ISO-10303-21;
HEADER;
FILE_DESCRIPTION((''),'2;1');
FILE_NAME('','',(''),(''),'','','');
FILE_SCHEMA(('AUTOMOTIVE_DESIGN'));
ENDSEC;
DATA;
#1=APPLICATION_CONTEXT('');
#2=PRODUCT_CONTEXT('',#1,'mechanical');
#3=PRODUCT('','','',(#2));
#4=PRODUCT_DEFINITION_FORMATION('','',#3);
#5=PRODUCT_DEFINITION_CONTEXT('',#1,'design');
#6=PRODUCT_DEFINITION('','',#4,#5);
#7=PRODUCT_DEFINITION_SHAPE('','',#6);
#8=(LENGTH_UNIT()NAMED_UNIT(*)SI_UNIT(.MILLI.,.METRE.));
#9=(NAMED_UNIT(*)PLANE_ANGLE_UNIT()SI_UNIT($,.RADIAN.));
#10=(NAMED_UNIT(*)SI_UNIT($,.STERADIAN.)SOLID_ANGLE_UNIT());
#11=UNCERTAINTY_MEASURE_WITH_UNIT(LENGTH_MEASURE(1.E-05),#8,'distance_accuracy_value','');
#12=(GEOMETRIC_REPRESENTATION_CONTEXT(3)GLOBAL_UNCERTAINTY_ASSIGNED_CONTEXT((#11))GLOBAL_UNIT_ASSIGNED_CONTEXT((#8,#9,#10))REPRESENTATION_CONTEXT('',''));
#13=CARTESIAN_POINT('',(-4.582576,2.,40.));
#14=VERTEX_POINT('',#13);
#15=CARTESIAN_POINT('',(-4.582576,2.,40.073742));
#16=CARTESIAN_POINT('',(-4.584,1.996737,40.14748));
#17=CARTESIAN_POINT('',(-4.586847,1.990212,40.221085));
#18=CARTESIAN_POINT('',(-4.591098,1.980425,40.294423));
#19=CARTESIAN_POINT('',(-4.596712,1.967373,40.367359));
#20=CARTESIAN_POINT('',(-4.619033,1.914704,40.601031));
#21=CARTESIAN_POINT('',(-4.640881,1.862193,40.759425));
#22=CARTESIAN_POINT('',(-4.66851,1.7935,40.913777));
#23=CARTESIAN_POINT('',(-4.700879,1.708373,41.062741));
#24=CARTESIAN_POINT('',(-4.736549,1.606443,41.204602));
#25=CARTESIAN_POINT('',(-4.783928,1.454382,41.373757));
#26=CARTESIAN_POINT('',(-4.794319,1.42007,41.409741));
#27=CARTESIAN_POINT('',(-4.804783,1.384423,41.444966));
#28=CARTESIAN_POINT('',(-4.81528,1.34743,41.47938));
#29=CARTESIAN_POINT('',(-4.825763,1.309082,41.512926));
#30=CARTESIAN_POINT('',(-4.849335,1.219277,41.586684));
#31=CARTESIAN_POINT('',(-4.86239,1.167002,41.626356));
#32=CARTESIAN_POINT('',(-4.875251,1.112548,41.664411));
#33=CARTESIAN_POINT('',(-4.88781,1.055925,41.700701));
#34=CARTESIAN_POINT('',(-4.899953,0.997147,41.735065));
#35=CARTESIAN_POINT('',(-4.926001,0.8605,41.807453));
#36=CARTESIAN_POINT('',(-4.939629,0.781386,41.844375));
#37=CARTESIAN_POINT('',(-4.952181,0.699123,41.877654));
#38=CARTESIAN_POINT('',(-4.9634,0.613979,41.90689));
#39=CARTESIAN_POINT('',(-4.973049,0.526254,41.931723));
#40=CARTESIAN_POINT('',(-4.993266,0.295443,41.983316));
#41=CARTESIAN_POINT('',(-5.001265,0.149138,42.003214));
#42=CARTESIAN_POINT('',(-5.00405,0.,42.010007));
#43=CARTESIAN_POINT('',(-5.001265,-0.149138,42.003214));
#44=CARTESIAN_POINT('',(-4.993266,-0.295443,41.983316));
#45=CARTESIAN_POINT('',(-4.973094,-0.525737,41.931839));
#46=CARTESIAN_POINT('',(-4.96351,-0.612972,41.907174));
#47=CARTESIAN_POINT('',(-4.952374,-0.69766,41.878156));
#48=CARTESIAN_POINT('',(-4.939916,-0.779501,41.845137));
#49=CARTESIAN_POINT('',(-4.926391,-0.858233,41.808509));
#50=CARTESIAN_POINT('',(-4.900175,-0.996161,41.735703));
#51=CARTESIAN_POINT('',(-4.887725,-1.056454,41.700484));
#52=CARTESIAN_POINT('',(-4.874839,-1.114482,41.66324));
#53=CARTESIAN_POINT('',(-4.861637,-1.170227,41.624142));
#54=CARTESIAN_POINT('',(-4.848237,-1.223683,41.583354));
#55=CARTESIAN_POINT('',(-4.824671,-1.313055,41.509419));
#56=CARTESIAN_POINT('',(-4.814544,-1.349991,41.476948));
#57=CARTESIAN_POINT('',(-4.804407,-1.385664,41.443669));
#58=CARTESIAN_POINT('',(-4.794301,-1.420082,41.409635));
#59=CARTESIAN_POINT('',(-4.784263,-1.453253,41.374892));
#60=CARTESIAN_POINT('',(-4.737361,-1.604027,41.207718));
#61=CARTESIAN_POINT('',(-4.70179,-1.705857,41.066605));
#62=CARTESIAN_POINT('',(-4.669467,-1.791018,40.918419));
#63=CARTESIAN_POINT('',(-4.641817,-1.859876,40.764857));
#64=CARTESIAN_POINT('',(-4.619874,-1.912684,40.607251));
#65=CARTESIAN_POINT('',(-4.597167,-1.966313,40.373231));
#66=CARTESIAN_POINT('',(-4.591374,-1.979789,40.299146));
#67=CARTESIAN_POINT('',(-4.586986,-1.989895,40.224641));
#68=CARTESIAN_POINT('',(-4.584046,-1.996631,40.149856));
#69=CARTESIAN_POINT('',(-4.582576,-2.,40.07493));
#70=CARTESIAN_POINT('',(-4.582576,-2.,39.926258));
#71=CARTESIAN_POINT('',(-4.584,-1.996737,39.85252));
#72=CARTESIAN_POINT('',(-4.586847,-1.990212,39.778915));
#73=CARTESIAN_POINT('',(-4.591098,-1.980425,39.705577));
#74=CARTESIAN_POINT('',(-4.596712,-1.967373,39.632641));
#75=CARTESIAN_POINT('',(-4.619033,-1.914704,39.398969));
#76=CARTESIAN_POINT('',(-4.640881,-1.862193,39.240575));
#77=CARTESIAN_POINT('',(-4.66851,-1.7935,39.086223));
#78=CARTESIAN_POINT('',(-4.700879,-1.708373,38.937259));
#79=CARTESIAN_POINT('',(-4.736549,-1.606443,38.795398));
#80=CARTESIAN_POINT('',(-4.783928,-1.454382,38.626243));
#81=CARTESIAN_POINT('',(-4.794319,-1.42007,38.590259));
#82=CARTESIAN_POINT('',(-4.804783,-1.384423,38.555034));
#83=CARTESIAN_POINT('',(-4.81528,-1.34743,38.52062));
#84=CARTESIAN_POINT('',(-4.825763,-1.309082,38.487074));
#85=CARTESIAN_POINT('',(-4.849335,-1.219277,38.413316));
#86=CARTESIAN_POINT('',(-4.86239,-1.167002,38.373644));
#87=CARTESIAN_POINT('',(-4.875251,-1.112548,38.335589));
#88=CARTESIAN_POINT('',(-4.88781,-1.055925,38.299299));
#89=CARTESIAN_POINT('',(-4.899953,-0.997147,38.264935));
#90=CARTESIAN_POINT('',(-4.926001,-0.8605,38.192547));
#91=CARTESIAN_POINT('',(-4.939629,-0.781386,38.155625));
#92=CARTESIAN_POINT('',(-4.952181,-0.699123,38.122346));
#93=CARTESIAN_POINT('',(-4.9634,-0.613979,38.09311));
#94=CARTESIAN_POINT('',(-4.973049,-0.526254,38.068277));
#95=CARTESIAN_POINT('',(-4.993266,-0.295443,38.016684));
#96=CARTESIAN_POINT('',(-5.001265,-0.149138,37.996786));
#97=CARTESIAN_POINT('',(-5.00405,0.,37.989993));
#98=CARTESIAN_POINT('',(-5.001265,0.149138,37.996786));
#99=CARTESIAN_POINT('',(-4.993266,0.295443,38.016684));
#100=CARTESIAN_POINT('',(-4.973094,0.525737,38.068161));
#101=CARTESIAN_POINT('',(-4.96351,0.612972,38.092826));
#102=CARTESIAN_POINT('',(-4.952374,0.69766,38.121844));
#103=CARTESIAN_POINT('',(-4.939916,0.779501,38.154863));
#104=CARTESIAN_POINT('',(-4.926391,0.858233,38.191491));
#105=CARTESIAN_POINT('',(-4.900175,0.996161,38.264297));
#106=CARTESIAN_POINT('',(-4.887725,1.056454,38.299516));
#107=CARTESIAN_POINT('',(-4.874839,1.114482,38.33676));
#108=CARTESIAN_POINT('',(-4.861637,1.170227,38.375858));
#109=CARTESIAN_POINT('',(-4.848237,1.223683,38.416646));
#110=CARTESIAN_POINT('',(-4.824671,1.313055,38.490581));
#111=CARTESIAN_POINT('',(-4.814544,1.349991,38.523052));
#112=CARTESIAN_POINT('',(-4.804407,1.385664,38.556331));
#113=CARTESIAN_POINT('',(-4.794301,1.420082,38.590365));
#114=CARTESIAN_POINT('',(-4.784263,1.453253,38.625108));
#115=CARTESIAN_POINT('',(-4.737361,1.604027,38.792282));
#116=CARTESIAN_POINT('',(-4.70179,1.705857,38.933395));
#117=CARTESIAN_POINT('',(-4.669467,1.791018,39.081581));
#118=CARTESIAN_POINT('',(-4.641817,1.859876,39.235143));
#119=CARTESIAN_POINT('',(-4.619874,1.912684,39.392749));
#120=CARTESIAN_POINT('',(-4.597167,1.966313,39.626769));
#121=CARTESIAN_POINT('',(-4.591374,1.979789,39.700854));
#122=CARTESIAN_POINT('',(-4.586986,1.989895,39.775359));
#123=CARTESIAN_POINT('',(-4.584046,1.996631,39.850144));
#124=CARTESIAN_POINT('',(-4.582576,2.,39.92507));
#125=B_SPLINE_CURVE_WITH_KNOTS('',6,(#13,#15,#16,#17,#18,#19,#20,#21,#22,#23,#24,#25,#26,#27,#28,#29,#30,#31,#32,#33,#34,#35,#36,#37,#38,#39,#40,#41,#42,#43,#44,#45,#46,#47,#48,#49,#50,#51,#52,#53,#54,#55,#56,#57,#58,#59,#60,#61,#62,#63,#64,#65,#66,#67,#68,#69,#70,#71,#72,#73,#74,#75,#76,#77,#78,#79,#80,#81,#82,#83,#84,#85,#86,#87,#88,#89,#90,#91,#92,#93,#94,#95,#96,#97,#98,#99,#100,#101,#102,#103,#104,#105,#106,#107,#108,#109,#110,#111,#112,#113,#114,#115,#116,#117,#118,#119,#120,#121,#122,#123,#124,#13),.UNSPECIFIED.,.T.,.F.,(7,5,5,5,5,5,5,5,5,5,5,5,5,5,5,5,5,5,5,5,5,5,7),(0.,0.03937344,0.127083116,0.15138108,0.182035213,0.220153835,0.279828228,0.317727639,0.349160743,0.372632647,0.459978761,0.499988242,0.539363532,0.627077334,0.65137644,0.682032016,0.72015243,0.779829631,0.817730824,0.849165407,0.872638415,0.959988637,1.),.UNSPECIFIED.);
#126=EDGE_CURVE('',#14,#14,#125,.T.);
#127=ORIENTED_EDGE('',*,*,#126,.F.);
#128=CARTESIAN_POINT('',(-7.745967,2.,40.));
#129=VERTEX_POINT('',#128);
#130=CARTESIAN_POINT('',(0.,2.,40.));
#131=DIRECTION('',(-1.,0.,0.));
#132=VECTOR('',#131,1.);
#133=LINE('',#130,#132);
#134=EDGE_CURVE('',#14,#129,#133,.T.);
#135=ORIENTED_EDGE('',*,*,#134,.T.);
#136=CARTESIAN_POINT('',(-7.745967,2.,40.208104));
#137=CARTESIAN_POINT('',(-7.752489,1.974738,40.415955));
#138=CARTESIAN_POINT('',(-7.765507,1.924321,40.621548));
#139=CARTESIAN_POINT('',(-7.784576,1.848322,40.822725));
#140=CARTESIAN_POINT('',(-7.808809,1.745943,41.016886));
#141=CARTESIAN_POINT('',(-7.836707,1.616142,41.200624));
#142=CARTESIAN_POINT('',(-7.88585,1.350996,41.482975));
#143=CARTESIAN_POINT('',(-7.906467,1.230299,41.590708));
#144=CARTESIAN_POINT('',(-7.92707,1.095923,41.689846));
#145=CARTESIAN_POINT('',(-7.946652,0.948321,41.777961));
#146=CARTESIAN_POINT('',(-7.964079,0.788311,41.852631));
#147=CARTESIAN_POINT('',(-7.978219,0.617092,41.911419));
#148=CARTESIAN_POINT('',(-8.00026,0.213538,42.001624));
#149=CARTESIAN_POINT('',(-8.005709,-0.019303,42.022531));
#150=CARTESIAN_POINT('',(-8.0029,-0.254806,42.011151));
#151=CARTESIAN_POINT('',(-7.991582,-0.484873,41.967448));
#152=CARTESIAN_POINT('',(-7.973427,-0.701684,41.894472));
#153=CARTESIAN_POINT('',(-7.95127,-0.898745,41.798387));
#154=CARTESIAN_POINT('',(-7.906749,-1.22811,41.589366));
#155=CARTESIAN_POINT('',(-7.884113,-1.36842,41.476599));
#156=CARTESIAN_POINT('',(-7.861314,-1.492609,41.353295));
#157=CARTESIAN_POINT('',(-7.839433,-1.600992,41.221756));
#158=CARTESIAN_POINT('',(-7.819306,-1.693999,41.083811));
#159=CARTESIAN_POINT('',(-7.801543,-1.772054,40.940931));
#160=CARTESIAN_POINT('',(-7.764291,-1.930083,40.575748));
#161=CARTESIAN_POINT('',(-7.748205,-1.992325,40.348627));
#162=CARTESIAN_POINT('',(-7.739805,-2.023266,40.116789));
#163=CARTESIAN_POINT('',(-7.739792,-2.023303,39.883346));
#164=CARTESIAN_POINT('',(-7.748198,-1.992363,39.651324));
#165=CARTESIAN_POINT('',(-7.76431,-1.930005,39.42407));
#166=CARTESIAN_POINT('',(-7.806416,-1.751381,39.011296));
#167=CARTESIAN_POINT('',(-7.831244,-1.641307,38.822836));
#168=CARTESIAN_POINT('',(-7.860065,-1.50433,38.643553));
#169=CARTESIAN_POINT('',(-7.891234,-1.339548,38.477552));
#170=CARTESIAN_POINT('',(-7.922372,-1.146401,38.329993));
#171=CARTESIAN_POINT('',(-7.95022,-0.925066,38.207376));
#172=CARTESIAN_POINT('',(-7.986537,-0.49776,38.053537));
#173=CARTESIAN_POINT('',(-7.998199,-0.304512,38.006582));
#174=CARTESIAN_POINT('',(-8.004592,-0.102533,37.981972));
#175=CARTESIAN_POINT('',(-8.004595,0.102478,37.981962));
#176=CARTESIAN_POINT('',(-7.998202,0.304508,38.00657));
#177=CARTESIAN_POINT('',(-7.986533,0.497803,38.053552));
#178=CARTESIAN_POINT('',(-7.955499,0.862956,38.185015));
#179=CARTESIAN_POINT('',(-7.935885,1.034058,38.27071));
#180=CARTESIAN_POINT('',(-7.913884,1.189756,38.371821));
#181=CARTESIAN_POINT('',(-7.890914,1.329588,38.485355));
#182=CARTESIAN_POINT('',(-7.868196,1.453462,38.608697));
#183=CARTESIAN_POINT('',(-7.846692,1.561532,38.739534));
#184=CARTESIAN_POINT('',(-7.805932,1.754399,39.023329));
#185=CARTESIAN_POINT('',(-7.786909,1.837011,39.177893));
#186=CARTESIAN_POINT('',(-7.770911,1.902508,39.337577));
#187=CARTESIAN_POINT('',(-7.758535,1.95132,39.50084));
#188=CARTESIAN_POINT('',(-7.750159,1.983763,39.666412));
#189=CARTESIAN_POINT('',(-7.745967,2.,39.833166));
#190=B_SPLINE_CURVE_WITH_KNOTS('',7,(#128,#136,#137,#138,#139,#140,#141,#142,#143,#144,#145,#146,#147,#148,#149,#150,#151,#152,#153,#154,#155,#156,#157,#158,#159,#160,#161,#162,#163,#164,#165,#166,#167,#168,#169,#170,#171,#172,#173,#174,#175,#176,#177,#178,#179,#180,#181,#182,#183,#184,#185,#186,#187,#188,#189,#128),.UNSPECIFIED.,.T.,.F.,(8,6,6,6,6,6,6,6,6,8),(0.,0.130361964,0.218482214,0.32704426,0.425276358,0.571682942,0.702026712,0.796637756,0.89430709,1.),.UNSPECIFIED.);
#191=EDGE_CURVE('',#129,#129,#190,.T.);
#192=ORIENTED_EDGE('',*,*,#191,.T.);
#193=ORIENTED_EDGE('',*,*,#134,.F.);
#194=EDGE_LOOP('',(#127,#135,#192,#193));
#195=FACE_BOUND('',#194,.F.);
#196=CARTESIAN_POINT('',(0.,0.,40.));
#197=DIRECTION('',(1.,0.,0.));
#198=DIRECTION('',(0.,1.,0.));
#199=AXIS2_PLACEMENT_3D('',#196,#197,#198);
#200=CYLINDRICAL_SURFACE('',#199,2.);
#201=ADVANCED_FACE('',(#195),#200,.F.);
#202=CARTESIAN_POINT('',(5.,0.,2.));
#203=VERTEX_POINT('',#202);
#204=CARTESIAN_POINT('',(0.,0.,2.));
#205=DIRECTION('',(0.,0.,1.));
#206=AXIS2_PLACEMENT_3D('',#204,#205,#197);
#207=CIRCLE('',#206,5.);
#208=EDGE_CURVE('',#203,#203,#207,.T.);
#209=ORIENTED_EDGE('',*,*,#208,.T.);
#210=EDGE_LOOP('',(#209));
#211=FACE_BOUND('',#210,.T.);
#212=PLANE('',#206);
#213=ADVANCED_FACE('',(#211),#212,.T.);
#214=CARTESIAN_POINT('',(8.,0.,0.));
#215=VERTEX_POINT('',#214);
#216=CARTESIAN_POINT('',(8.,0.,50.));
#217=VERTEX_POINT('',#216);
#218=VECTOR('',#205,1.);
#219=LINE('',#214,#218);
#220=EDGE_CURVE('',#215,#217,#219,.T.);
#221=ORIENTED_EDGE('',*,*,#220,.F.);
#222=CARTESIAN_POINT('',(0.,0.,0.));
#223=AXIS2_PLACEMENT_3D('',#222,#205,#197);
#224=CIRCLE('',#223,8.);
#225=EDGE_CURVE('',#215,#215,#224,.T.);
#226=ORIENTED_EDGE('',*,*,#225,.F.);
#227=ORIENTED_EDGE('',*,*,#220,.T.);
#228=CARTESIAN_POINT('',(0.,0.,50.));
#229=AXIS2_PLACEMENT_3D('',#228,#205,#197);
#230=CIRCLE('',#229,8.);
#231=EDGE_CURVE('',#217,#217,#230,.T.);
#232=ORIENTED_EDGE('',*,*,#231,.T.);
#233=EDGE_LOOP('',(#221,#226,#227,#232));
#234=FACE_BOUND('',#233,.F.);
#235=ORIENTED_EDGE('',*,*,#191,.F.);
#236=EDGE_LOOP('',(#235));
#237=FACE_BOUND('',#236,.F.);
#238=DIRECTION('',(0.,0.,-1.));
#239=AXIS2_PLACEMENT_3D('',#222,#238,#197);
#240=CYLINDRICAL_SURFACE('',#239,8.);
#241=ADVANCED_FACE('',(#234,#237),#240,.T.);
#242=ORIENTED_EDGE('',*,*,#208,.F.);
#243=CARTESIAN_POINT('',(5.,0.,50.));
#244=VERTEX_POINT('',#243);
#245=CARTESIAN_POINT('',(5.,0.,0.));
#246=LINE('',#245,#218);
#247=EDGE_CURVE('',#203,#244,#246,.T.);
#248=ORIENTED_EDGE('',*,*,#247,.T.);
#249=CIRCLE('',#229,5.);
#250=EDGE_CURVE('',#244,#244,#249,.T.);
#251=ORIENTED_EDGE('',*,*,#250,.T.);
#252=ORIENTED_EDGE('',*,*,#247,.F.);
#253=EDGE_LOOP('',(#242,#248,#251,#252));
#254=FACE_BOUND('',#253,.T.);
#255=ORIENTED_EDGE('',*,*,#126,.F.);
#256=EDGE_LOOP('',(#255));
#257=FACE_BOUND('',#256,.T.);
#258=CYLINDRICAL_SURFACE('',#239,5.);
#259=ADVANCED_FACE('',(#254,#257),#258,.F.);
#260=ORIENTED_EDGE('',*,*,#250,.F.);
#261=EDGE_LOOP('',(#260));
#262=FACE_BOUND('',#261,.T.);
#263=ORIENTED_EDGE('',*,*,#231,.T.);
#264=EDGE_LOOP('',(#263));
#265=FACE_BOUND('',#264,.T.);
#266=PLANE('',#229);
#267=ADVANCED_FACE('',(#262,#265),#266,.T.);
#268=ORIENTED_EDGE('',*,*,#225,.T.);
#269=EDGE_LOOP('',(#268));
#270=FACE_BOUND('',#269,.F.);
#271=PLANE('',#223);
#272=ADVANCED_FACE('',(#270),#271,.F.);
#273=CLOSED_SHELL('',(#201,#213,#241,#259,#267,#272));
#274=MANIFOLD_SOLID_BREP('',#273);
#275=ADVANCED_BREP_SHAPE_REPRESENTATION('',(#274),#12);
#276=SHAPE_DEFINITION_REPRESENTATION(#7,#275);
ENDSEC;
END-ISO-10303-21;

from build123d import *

# Parameters (mm, degrees)
F0_R     = 8
F0_R_2   = 5
F1_DEPTH = 50
F2_DEPTH = 2
F3_R     = 2
F4_DEPTH = 25


with BuildPart() as f1:
    # F0 (on Top) → F1 (new body)
    with BuildSketch(Plane.XY):
        Circle(F0_R)
        Circle(F0_R_2, mode=Mode.SUBTRACT)
    extrude(amount=F1_DEPTH)

    # F0 (on Top) → F2 (join)
    with BuildSketch(Plane.XY):
        Circle(F0_R_2)
    extrude(amount=F2_DEPTH)

    # F3 (on Right) → F4 (cut)
    with BuildSketch(Plane.YZ):
        with Locations((0, 40)):
            Circle(F3_R)
    extrude(amount=-F4_DEPTH, mode=Mode.SUBTRACT)


solid = f1.part
